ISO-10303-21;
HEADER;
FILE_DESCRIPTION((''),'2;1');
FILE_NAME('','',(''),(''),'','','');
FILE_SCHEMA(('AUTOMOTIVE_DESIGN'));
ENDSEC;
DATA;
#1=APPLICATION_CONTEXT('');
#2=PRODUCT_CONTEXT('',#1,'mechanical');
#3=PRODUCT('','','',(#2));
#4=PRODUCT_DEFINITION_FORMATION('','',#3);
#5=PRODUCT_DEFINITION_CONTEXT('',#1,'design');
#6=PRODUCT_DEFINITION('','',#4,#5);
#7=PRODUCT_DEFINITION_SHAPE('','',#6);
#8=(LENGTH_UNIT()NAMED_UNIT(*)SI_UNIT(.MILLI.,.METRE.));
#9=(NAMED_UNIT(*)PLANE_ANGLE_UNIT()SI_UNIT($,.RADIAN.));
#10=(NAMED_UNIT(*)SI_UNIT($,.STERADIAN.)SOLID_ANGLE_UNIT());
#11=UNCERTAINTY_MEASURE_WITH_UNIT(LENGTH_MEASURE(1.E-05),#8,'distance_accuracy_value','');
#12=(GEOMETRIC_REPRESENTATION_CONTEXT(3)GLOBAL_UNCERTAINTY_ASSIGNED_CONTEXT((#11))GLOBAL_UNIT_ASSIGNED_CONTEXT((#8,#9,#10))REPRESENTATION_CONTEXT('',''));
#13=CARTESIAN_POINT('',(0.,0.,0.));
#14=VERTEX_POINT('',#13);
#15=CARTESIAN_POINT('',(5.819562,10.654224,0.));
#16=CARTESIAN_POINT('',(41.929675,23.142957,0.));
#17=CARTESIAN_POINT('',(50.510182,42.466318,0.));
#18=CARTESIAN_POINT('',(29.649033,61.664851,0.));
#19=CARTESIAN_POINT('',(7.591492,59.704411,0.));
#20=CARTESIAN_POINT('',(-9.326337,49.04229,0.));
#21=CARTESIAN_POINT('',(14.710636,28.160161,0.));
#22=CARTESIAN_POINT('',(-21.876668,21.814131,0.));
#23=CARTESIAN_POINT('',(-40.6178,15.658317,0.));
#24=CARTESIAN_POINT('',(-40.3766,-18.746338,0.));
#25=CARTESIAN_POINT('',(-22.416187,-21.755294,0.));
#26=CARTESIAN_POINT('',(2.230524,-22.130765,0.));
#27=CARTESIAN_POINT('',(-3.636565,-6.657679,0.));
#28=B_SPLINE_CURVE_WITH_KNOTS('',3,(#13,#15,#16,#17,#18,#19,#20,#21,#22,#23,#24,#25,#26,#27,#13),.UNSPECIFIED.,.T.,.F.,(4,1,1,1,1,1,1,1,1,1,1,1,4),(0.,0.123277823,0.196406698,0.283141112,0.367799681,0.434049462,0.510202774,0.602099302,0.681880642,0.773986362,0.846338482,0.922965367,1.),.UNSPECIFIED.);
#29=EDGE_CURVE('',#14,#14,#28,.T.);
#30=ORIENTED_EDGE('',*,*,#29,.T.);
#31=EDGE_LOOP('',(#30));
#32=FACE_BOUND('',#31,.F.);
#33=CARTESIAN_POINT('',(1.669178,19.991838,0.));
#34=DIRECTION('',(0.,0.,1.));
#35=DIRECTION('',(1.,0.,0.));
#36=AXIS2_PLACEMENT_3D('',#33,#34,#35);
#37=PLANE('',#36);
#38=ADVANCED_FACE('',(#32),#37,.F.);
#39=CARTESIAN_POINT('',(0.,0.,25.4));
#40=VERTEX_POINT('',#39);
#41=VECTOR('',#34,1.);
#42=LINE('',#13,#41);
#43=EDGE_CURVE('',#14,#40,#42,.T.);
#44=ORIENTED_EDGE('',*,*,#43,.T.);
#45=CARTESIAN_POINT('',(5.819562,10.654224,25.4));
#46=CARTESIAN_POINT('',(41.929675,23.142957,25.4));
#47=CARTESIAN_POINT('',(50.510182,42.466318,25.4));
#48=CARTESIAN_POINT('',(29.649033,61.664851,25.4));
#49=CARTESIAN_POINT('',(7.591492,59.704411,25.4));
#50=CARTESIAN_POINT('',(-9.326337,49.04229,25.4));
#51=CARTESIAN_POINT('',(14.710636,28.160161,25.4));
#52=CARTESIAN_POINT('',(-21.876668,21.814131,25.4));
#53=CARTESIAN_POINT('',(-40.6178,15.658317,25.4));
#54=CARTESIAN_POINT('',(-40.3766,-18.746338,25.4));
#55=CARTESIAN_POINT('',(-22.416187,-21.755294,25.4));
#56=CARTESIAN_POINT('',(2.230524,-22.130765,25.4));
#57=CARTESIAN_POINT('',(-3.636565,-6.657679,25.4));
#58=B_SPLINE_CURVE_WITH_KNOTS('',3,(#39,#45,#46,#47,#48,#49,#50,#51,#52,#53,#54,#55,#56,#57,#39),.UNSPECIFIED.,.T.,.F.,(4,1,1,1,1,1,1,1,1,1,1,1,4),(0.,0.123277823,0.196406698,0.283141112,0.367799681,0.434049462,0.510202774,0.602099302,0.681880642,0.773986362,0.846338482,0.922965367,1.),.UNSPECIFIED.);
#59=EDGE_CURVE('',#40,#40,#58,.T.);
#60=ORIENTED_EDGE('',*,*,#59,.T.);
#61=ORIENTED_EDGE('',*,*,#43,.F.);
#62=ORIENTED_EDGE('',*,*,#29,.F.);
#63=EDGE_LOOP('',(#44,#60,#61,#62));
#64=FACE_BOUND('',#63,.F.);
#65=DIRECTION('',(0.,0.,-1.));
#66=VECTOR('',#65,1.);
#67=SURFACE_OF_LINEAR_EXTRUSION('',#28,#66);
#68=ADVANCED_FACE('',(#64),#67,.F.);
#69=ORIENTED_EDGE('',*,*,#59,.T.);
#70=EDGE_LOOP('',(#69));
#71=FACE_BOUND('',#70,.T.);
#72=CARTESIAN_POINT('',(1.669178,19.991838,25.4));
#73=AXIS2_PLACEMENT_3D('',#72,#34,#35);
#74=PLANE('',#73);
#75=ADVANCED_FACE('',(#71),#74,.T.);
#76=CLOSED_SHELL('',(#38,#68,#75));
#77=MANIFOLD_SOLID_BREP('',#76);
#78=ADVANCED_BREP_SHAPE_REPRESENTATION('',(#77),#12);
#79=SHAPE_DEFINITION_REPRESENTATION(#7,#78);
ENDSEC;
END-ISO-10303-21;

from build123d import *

# Parameters (mm, degrees)
F1_DEPTH = 25.4


with BuildPart() as f1:
    # F0 (on Top) → F1 (new body)
    with BuildSketch(Plane.XY):
        with BuildLine():
            add(Edge.make_bspline(
                [(0, 0), (5.8195618595, 10.6542235198), (41.9296754661, 23.1429570157), (50.5101819182, 42.4663175772), (29.6490326412, 61.6648505794), (7.5914915084, 59.7044108734), (-9.3263369928, 49.0422897725), (14.710636286, 28.1601614533), (-21.8766676788, 21.8141305542), (-40.6178002071, 15.658316763), (-40.376599946, -18.7463383508), (-22.4161872295, -21.7552939073), (2.2305237945, -22.1307646352), (-3.6365649634, -6.6576792033), (0, 0)],
                knots=[0, 0, 0, 0, 0.1232778229, 0.1964066979, 0.2831411121, 0.3677996807, 0.4340494618, 0.5102027738, 0.6020993025, 0.6818806423, 0.7739863618, 0.8463384821, 0.9229653671, 1, 1, 1, 1], degree=3))
        make_face()
    extrude(amount=F1_DEPTH)


solid = f1.part
